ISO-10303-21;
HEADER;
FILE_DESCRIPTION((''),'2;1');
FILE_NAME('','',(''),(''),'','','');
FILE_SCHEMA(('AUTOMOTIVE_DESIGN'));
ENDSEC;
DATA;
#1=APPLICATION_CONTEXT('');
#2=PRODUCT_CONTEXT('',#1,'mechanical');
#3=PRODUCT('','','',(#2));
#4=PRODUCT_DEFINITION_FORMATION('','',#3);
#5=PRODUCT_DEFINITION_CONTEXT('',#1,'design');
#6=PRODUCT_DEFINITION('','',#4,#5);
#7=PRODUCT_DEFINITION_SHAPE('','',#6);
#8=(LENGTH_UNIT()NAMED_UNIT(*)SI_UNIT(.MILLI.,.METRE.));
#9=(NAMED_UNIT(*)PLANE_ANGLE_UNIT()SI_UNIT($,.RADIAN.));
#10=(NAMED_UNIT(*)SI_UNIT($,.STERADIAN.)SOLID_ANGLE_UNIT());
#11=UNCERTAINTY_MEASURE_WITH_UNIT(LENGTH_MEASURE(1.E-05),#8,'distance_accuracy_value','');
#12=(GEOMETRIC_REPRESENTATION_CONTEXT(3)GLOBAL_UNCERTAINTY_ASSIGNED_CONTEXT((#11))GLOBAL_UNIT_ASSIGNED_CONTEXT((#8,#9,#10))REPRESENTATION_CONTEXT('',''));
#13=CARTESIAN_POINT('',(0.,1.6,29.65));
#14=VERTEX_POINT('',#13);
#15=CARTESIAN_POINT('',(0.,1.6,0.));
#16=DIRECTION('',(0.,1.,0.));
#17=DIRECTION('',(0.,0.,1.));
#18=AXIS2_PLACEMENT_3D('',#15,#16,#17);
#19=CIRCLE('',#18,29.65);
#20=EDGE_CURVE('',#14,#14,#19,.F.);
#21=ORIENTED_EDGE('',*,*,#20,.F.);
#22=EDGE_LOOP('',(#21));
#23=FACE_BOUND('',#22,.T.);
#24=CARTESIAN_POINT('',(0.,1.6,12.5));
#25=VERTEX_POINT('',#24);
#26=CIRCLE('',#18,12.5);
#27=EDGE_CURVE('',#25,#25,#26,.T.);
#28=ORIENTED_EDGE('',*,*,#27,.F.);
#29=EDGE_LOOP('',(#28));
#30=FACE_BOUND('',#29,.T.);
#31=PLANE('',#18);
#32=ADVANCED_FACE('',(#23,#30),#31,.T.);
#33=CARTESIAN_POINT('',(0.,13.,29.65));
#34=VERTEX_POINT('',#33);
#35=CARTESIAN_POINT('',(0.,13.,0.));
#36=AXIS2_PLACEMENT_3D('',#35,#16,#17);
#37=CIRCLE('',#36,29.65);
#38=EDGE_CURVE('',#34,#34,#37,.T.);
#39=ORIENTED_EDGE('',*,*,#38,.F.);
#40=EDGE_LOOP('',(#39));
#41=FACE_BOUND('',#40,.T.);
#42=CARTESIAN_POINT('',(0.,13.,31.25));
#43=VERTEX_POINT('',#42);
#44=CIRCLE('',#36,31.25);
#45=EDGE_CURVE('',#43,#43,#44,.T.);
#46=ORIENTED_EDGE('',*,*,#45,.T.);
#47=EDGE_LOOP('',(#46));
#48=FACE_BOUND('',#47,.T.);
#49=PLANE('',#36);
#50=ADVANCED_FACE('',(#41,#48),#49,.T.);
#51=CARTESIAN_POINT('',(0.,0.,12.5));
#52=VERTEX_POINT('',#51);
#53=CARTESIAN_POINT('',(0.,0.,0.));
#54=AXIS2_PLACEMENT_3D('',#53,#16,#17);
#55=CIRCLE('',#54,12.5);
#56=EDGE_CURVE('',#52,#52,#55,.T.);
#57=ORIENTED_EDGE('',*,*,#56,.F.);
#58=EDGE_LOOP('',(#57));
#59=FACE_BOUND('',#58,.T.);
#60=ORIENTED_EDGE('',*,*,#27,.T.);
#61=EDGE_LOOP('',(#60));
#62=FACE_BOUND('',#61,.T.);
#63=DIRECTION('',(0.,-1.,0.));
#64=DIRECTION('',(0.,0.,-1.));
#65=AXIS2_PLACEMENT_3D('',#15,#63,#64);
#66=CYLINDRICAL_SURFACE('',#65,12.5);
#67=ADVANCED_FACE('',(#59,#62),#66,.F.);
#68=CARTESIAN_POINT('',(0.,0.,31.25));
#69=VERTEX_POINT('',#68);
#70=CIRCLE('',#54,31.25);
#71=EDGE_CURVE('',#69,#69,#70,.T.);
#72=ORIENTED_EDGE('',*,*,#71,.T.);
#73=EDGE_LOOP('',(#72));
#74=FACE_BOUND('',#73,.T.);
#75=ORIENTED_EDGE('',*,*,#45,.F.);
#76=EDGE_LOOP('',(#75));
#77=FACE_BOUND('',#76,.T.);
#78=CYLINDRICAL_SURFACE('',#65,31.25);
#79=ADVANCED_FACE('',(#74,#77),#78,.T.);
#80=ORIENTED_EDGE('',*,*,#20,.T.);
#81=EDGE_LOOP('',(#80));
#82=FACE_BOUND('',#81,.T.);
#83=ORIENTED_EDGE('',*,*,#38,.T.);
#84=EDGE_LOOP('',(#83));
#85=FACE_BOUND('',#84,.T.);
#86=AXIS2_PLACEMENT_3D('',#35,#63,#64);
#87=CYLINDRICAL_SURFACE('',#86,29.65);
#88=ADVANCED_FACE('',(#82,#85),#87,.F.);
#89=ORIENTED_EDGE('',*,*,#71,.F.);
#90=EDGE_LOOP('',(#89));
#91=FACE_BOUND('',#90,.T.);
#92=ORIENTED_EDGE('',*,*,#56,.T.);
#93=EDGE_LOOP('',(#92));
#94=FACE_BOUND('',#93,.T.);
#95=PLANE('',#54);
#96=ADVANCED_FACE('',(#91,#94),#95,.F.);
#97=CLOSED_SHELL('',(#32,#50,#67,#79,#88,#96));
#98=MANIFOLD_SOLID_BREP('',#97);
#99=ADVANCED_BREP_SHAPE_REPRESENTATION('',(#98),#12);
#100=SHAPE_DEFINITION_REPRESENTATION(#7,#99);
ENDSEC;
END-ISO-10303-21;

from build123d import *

# Parameters (mm, degrees)
SKETCH1_R           = 31.25
SKETCH1_R_2         = 12.5
BOSS_EXTRUDE1_DEPTH = 1.6
SKETCH2_R           = 31.25
SKETCH2_R_2         = 29.65
BOSS_EXTRUDE2_DEPTH = 11.4


with BuildPart() as part:
    # Sketch1 → Boss-Extrude1 (new body)
    with BuildSketch(Plane(origin=(0, 0, 0), x_dir=(1, 0, 0), z_dir=(0, 1, 0))):
        with Locations(Location((0, 0, 0), (0, 0, 270))):
            Circle(SKETCH1_R)
        with Locations(Location((0, 0, 0), (0, 0, 270))):
            Circle(SKETCH1_R_2, mode=Mode.SUBTRACT)
    extrude(amount=BOSS_EXTRUDE1_DEPTH)

    # Sketch2 → Boss-Extrude2 (add)
    with BuildSketch(Plane(origin=(0, 1.6, 0), x_dir=(1, 0, 0), z_dir=(0, 1, 0))):
        with Locations(Location((0, 0, 0), (0, 0, 270))):
            Circle(SKETCH2_R)
        with Locations(Location((0, 0, 0), (0, 0, 270))):
            Circle(SKETCH2_R_2, mode=Mode.SUBTRACT)
    extrude(amount=BOSS_EXTRUDE2_DEPTH)


solid = part.part
